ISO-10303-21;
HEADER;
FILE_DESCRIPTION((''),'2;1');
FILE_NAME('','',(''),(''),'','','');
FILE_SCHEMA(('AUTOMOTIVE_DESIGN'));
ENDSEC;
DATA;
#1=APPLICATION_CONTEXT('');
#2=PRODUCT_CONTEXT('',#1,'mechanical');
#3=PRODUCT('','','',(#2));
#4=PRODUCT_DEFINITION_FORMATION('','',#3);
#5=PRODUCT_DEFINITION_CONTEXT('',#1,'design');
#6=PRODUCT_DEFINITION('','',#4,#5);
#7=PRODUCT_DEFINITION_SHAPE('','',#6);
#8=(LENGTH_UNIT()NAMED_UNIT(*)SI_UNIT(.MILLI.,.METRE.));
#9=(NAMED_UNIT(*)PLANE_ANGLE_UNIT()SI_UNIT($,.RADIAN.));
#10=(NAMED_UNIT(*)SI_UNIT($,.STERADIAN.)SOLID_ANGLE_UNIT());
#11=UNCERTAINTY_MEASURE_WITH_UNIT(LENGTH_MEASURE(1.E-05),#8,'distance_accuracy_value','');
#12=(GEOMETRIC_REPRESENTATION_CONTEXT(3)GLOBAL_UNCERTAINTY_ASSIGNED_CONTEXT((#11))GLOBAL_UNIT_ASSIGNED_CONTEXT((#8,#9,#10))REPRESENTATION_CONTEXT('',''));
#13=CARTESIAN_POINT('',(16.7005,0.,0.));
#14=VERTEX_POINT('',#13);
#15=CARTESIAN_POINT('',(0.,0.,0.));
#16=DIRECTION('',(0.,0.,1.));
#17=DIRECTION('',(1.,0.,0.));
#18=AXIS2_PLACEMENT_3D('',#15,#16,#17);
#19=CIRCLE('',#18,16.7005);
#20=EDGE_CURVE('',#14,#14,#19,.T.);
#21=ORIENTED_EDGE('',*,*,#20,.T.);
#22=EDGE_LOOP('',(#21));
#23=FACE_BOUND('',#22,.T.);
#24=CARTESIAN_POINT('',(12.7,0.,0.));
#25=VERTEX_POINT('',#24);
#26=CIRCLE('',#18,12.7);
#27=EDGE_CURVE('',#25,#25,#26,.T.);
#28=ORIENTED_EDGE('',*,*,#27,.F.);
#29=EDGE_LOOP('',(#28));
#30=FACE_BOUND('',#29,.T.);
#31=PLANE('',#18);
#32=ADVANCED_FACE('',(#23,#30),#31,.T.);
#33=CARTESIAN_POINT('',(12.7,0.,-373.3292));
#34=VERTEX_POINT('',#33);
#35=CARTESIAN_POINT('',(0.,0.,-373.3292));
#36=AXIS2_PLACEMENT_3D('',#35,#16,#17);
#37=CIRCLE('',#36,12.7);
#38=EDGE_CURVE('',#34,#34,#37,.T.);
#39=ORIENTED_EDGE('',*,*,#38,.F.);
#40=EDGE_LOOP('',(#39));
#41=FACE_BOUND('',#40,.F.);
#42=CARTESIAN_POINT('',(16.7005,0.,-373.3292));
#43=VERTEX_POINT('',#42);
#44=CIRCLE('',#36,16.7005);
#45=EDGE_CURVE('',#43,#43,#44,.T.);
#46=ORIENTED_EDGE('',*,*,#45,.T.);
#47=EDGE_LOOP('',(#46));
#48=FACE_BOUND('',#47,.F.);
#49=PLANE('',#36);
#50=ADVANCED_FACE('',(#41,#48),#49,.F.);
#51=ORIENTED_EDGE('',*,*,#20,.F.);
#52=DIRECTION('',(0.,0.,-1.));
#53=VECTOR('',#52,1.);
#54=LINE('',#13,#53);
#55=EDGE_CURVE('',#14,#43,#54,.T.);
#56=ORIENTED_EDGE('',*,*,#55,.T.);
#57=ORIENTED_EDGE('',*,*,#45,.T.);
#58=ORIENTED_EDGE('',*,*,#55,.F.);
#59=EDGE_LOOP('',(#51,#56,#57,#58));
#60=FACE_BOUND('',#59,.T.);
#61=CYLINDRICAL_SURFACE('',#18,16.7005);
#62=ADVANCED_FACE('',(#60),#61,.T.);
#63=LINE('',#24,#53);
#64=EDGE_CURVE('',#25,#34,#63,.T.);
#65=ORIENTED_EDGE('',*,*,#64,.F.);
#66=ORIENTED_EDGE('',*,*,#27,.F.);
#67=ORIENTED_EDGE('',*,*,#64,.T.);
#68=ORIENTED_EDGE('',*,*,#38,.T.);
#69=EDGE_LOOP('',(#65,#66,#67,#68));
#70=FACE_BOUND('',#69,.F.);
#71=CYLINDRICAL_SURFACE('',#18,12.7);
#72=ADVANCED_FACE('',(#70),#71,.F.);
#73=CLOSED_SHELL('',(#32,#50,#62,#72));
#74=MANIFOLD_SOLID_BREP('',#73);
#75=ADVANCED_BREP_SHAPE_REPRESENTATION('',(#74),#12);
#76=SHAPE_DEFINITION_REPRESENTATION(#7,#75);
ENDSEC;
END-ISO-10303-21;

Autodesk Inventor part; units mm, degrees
ref_plane "YZ Plane" through (0, 0, 0) normal (1, 0, 0) x (0, 1, 0)
ref_plane "XZ Plane" through (0, 0, 0) normal (0, 1, 0) x (-1, 0, 0)
ref_plane "XY Plane" through (0, 0, 0) normal (0, 0, 1) x (1, 0, 0)
sketch "Sketch1" plane through (0, 0, 0) normal (0, 0, 1) x (1, 0, 0)
  circle A0 centre (0, 0) radius 16.7005
  circle A1 centre (0, 0) radius 12.7
  dimension "d0" = 33.401
  dimension "d1" = 25.4
extrude "Extrusion1" add sketch "Sketch1" against normal blind 373.3292
properties part number "Pipe 6"
